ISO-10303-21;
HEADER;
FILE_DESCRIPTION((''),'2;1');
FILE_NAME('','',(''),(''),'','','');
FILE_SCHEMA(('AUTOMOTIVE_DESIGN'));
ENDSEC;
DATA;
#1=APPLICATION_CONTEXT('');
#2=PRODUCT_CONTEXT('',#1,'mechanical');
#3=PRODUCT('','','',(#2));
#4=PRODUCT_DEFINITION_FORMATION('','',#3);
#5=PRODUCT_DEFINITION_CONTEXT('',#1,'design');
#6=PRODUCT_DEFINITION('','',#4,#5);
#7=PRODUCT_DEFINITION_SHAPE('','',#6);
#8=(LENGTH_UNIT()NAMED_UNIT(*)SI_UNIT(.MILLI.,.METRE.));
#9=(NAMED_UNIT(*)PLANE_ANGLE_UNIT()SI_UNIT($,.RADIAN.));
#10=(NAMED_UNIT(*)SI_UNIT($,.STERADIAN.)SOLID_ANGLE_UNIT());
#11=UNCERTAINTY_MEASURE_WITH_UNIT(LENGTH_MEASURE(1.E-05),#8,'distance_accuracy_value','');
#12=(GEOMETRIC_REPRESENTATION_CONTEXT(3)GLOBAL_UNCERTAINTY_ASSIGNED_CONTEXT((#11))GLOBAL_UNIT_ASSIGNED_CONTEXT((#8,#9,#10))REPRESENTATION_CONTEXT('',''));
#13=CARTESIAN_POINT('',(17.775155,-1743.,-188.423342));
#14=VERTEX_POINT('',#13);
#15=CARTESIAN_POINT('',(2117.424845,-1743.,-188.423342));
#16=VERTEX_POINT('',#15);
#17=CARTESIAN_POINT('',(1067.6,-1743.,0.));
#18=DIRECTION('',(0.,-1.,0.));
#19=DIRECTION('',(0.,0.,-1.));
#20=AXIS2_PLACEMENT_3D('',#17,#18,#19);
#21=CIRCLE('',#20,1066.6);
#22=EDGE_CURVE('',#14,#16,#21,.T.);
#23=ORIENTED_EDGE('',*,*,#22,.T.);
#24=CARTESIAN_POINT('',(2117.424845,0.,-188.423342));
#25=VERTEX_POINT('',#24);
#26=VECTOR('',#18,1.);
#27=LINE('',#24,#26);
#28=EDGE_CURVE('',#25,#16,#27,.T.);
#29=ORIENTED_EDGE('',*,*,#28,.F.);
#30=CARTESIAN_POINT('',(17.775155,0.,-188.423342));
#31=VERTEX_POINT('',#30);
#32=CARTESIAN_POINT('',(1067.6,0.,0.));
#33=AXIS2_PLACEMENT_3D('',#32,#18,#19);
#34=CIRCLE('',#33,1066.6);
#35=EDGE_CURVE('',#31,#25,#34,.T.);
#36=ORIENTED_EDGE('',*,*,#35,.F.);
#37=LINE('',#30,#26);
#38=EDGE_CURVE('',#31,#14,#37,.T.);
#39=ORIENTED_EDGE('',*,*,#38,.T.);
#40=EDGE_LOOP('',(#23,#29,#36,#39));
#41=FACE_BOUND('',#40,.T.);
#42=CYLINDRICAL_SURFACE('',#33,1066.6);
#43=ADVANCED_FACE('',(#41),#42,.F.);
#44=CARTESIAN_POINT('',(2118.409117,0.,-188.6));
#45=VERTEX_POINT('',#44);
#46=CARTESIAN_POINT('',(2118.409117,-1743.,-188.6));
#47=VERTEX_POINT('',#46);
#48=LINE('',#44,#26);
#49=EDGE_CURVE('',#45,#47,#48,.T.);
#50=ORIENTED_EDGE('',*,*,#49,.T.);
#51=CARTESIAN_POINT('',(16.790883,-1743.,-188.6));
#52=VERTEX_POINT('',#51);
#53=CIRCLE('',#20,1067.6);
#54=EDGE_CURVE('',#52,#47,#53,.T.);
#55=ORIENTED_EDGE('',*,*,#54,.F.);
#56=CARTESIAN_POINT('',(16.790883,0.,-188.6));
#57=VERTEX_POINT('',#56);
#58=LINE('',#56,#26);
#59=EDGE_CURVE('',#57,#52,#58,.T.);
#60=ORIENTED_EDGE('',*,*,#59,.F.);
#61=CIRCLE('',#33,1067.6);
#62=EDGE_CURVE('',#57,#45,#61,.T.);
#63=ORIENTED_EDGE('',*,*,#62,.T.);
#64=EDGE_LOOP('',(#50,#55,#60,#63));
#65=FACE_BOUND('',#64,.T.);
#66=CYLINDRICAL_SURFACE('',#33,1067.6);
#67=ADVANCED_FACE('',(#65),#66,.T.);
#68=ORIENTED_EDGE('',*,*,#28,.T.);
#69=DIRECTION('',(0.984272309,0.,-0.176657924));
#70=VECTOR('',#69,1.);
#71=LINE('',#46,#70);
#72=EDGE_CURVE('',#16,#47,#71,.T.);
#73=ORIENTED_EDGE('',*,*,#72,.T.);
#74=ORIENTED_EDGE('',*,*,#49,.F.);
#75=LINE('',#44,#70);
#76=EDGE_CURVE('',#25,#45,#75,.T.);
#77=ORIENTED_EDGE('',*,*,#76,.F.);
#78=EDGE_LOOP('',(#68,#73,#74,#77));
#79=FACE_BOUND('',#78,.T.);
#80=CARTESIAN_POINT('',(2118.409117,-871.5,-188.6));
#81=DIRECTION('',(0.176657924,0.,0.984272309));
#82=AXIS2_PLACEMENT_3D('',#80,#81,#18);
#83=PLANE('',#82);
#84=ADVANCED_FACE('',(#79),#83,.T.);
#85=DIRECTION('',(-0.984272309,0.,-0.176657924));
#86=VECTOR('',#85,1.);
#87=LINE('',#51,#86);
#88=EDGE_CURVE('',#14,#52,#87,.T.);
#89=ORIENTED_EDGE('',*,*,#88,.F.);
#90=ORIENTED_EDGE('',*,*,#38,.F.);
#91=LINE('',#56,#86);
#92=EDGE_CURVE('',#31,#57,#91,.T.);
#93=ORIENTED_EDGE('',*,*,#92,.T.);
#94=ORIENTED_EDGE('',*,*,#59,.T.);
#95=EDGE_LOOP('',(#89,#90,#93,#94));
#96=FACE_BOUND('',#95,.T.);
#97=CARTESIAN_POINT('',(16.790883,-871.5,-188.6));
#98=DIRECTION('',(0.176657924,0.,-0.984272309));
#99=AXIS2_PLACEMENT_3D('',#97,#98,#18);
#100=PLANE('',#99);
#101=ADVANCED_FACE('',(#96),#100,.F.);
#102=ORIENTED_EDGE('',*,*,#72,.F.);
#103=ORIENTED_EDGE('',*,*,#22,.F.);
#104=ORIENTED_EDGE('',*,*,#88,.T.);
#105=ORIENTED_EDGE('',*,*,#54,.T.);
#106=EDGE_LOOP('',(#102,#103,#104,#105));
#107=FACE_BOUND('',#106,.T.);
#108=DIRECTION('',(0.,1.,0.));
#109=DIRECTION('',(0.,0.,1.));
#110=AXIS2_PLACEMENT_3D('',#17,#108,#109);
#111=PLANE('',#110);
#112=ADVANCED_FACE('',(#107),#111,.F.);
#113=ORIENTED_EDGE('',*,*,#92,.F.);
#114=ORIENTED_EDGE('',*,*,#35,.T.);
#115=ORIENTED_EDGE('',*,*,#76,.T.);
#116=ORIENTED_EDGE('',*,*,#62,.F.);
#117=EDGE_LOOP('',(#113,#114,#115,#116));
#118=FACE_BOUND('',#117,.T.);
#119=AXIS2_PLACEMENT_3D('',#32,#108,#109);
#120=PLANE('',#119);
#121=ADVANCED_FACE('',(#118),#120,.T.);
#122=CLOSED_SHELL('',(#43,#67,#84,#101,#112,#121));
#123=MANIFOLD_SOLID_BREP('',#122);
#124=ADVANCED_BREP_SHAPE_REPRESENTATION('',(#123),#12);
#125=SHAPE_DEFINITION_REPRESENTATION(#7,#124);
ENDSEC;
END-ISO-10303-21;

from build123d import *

# Parameters (mm, degrees)
SURFACE_EXTRUDE1_1_BACK  = 1743
SURFACE_EXTRUDE1_1_DEPTH = 1743
THICKEN1_T2              = 1


with BuildPart() as body_1:
    # Surface-Extrude1: a surface, the sketch's curves swept straight by 1743 mm
    with BuildLine(Plane(origin=(0, 0, 0), x_dir=(1, 0, 0), z_dir=(0, 1, 0)).offset(-SURFACE_EXTRUDE1_1_BACK), mode=Mode.PRIVATE) as surface_extrude1_1_path:
        ThreePointArc((16.790883176, 188.6), (1067.6, 1067.6), (2118.409116824, 188.6))
    surface_extrude1_1 = Shell.extrude(surface_extrude1_1_path.wire(), (0 * SURFACE_EXTRUDE1_1_DEPTH, 1 * SURFACE_EXTRUDE1_1_DEPTH, 0 * SURFACE_EXTRUDE1_1_DEPTH))
    add(Solid.thicken(surface_extrude1_1, -THICKEN1_T2))


solid = body_1.part
